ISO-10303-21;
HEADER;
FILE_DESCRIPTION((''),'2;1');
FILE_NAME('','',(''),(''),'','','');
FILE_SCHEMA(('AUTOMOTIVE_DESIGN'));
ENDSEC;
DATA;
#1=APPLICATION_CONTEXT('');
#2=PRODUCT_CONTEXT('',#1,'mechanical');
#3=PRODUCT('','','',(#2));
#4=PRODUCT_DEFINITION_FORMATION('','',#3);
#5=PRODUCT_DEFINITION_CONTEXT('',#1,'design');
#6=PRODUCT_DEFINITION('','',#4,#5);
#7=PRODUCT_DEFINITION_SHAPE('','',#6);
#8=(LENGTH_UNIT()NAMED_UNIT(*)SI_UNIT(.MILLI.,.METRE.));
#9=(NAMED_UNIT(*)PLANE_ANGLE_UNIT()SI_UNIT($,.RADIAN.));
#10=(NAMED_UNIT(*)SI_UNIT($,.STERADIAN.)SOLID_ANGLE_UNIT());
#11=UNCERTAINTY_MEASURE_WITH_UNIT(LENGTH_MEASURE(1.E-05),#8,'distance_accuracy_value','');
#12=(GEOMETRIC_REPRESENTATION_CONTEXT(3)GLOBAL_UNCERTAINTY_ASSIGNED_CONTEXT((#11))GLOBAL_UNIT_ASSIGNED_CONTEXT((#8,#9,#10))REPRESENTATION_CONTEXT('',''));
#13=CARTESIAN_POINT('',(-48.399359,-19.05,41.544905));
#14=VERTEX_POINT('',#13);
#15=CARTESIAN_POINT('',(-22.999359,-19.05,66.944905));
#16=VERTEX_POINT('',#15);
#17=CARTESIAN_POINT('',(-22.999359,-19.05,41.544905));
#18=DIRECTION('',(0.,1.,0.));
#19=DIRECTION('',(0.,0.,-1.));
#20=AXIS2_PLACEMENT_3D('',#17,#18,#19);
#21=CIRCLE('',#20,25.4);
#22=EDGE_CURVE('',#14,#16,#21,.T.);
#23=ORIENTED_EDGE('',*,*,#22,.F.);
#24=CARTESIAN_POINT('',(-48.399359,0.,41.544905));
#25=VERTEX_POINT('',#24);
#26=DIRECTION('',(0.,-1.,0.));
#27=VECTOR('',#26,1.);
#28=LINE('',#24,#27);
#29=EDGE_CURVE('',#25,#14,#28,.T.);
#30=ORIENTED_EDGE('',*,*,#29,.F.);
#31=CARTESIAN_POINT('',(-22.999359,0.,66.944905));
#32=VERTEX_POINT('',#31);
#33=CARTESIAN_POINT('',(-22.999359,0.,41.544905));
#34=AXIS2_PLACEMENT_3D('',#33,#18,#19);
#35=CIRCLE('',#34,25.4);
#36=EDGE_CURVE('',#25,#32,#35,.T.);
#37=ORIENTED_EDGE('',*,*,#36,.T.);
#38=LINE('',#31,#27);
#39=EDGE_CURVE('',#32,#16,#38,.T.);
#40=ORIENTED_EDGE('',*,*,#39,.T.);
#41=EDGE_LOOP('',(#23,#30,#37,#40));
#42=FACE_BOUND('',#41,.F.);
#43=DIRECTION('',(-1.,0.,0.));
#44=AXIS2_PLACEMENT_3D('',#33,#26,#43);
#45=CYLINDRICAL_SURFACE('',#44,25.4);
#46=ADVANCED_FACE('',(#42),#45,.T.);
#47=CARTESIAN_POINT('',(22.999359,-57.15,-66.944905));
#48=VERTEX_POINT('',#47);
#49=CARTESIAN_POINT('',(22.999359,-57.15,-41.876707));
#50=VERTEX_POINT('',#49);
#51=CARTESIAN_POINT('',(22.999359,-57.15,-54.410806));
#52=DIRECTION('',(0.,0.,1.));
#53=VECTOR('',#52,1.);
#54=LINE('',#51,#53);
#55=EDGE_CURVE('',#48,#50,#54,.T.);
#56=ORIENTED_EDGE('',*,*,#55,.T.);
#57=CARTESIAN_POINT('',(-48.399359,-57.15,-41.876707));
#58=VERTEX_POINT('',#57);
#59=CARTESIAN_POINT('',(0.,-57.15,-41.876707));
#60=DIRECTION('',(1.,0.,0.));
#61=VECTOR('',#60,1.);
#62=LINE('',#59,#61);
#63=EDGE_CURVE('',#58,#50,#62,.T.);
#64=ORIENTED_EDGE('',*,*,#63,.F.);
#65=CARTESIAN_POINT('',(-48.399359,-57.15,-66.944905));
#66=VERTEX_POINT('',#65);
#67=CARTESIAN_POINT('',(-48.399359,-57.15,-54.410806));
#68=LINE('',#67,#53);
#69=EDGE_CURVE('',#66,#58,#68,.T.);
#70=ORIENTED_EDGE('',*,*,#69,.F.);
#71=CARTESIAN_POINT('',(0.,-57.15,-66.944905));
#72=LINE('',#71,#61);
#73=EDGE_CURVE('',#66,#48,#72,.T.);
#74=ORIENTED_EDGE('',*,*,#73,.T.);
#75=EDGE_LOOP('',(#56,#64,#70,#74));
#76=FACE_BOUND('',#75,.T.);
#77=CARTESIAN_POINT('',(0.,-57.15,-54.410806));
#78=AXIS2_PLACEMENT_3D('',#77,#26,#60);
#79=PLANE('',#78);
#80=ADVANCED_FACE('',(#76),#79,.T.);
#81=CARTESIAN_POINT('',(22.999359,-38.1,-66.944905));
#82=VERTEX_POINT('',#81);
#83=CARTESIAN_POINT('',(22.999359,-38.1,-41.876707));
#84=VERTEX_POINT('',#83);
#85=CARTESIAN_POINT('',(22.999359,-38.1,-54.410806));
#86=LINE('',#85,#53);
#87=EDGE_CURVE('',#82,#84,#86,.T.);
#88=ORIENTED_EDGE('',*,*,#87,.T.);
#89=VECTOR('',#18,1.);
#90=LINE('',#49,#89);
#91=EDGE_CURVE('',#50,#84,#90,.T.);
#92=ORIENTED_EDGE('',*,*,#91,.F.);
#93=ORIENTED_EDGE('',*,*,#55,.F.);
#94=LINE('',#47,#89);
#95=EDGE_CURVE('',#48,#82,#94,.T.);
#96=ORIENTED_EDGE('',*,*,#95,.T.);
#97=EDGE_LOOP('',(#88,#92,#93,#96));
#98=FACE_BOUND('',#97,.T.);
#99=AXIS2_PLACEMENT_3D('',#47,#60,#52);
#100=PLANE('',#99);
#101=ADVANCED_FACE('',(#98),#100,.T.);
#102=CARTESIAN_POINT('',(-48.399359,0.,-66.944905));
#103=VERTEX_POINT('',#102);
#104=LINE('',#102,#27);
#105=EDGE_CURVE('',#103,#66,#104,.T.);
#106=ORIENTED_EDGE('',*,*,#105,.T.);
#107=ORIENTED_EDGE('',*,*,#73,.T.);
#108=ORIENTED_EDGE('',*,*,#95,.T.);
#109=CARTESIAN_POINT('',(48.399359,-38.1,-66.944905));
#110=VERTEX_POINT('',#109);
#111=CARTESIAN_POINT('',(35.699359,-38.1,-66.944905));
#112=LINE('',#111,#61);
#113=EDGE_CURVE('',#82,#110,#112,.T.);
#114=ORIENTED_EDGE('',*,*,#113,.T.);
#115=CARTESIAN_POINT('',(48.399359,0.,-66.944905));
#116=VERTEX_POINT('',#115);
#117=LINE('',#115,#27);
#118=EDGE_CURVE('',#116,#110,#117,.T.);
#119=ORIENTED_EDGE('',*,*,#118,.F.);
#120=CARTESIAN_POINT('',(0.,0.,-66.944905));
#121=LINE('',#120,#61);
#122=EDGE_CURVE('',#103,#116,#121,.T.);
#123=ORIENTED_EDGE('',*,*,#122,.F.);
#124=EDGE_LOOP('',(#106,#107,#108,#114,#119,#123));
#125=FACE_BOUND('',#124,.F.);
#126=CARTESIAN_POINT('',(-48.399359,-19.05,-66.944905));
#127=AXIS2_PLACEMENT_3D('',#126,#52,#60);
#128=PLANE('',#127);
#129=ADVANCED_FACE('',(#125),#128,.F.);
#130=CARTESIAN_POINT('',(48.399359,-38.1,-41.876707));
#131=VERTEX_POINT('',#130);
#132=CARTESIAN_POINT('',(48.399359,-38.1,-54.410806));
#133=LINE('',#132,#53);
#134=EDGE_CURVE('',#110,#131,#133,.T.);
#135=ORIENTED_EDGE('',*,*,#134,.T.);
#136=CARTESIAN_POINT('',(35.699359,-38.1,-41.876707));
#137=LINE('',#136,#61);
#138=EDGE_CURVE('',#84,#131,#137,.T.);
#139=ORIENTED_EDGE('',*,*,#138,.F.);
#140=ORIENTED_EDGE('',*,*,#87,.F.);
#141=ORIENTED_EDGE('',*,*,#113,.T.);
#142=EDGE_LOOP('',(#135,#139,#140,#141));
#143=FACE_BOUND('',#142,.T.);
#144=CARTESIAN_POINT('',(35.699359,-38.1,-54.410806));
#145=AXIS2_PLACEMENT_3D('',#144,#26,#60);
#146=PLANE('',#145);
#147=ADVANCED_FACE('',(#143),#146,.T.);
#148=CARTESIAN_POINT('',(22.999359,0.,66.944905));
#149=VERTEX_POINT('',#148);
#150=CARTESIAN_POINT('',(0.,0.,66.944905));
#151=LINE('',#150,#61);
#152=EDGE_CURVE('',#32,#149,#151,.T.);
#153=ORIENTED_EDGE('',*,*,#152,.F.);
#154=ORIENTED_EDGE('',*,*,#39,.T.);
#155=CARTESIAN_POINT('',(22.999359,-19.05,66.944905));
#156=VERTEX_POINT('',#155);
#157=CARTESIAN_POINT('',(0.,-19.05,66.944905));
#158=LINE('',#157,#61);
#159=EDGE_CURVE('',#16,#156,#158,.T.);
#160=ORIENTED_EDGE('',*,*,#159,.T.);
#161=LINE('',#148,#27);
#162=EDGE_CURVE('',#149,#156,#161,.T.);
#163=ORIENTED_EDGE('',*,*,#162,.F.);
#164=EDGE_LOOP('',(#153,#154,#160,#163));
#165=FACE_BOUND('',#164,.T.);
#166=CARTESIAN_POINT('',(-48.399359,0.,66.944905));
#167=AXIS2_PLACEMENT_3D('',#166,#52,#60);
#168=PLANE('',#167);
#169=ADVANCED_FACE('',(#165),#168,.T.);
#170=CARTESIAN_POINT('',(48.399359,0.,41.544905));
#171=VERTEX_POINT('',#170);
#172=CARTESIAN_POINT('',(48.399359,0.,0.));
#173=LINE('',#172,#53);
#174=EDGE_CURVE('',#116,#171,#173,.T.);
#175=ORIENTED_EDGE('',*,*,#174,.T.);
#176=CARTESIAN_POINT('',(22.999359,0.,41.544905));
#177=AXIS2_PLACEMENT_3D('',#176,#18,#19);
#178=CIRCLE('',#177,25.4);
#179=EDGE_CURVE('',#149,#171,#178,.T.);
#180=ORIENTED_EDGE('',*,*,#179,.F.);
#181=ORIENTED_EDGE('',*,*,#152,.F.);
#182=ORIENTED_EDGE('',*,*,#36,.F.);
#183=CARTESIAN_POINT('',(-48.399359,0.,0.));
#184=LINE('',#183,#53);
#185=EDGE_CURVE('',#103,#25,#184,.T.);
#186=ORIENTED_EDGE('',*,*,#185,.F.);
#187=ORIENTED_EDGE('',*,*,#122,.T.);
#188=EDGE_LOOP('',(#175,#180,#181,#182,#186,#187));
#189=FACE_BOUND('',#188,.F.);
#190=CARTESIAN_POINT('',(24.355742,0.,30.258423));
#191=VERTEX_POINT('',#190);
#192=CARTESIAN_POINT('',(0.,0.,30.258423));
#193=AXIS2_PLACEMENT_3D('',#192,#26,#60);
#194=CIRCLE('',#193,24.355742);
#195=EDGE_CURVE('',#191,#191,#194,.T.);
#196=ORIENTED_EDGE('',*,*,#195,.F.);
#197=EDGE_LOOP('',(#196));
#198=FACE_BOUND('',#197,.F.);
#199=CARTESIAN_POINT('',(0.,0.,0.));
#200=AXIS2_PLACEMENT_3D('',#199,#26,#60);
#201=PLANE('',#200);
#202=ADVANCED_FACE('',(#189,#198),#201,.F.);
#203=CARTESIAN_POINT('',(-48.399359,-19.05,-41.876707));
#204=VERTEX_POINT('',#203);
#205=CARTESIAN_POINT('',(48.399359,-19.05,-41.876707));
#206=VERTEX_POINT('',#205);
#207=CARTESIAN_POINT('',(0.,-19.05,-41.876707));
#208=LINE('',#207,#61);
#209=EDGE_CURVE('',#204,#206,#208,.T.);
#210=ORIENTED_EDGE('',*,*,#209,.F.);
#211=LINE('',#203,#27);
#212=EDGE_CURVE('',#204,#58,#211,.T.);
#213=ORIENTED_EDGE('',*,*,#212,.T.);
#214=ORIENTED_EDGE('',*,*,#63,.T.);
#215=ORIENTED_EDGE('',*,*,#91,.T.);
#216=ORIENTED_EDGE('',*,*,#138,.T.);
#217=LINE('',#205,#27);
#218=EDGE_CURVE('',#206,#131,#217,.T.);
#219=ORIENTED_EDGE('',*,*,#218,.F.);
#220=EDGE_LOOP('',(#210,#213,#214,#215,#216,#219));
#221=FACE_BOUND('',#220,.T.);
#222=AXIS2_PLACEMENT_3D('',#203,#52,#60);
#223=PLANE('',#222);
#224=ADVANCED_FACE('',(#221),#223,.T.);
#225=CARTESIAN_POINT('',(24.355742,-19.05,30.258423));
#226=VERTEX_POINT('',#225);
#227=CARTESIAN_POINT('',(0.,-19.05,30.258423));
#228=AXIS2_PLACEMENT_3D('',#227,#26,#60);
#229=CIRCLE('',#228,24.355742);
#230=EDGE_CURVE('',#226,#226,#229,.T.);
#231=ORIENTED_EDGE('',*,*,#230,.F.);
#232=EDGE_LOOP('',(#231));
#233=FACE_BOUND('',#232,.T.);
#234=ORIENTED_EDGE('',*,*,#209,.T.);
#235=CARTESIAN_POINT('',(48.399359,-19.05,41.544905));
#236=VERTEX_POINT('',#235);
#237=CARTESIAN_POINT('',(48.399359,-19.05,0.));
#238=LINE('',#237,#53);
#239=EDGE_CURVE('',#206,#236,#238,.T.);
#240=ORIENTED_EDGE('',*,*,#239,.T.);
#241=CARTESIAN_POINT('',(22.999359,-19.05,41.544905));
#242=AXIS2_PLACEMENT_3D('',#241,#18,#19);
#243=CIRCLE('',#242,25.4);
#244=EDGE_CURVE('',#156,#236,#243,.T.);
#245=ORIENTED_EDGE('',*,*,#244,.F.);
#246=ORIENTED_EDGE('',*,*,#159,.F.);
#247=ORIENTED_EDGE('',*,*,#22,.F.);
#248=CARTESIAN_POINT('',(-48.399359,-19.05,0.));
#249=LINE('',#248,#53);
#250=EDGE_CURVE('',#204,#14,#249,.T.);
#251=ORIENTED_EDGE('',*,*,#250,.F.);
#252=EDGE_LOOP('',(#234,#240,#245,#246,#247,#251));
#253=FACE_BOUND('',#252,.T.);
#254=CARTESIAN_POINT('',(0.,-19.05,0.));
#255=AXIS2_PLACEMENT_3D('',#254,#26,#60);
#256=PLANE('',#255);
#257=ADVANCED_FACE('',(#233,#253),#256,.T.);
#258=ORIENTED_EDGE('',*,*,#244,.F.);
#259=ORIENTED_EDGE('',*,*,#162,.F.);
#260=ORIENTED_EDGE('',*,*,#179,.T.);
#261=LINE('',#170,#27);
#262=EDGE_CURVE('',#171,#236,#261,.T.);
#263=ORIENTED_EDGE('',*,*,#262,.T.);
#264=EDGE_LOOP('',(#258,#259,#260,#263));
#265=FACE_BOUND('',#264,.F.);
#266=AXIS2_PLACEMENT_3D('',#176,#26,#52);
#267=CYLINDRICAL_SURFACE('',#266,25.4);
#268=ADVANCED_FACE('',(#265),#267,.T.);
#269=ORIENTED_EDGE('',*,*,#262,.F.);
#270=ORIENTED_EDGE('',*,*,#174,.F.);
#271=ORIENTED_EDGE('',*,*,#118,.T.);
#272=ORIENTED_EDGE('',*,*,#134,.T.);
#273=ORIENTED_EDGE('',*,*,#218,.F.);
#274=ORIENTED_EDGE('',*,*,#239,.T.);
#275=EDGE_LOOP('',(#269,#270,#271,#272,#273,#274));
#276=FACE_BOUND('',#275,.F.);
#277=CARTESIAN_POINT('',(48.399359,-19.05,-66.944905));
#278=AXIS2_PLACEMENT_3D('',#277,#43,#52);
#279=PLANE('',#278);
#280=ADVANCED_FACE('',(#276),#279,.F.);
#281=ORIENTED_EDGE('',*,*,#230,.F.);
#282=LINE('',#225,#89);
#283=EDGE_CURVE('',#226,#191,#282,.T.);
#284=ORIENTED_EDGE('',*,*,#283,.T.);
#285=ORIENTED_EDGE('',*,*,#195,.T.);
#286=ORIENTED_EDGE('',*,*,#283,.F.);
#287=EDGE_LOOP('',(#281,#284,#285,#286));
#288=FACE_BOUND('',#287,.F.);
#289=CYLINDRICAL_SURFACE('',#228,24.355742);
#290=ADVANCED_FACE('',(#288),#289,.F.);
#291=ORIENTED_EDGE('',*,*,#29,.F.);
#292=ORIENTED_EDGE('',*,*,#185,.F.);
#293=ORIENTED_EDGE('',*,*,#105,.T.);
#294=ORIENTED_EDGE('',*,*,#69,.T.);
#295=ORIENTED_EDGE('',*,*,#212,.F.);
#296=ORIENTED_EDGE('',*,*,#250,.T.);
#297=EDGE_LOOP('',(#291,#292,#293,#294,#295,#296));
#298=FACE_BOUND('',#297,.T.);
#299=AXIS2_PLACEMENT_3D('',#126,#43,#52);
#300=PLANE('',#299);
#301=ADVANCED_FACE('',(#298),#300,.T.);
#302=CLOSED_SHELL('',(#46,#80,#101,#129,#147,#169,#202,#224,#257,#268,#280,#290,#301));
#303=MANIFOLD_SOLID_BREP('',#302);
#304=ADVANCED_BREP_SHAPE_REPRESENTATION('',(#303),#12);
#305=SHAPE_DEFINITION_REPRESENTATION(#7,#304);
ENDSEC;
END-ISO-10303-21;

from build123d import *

# Parameters (mm, degrees)
F0_W     = 96.798718
F0_H     = 133.88981
F1_DEPTH = 19.05
F2_W     = 96.798718
F2_H     = 25.068198
F3_DEPTH = 38.1
F4_W     = 25.4
F4_H     = 25.068198
F5_DEPTH = 19.05
F6_R     = 24.355742
F7_DEPTH = 19.051
F8_R     = 25.4
F9_R     = 25.4


with BuildPart() as f1:
    # F0 (on Front) → F1 (new body)
    with BuildSketch(Plane.XZ):
        Rectangle(F0_W, F0_H)
    extrude(amount=F1_DEPTH)

    # F2 (on face) → F3 (join)
    with BuildSketch(Plane.XZ.offset(19.05)):
        with Locations((0, -54.410806)):
            Rectangle(F2_W, F2_H)
    extrude(amount=F3_DEPTH)

    # F4 (on face) → F5 (cut)
    with BuildSketch(Plane.XZ.offset(57.15)):
        with Locations((35.699359, -54.410806)):
            Rectangle(F4_W, F4_H)
    extrude(amount=-F5_DEPTH, mode=Mode.SUBTRACT)

    # F6 (on face) → F7 (cut, through all)
    with BuildSketch(Plane.XZ.offset(19.05)):
        with Locations((0, 30.258423)):
            Circle(F6_R)
    extrude(amount=-F7_DEPTH, mode=Mode.SUBTRACT)

    # F8
    f8_edges = [f1.edges().sort_by_distance(p)[0] for p in [
        (-48.399359, -9.525, 66.944905),
    ]]
    fillet(f8_edges, radius=F8_R)

    # F9
    f9_edges = [f1.edges().sort_by_distance(p)[0] for p in [
        (48.399359, -9.525, 66.944905),
    ]]
    fillet(f9_edges, radius=F9_R)


solid = f1.part
